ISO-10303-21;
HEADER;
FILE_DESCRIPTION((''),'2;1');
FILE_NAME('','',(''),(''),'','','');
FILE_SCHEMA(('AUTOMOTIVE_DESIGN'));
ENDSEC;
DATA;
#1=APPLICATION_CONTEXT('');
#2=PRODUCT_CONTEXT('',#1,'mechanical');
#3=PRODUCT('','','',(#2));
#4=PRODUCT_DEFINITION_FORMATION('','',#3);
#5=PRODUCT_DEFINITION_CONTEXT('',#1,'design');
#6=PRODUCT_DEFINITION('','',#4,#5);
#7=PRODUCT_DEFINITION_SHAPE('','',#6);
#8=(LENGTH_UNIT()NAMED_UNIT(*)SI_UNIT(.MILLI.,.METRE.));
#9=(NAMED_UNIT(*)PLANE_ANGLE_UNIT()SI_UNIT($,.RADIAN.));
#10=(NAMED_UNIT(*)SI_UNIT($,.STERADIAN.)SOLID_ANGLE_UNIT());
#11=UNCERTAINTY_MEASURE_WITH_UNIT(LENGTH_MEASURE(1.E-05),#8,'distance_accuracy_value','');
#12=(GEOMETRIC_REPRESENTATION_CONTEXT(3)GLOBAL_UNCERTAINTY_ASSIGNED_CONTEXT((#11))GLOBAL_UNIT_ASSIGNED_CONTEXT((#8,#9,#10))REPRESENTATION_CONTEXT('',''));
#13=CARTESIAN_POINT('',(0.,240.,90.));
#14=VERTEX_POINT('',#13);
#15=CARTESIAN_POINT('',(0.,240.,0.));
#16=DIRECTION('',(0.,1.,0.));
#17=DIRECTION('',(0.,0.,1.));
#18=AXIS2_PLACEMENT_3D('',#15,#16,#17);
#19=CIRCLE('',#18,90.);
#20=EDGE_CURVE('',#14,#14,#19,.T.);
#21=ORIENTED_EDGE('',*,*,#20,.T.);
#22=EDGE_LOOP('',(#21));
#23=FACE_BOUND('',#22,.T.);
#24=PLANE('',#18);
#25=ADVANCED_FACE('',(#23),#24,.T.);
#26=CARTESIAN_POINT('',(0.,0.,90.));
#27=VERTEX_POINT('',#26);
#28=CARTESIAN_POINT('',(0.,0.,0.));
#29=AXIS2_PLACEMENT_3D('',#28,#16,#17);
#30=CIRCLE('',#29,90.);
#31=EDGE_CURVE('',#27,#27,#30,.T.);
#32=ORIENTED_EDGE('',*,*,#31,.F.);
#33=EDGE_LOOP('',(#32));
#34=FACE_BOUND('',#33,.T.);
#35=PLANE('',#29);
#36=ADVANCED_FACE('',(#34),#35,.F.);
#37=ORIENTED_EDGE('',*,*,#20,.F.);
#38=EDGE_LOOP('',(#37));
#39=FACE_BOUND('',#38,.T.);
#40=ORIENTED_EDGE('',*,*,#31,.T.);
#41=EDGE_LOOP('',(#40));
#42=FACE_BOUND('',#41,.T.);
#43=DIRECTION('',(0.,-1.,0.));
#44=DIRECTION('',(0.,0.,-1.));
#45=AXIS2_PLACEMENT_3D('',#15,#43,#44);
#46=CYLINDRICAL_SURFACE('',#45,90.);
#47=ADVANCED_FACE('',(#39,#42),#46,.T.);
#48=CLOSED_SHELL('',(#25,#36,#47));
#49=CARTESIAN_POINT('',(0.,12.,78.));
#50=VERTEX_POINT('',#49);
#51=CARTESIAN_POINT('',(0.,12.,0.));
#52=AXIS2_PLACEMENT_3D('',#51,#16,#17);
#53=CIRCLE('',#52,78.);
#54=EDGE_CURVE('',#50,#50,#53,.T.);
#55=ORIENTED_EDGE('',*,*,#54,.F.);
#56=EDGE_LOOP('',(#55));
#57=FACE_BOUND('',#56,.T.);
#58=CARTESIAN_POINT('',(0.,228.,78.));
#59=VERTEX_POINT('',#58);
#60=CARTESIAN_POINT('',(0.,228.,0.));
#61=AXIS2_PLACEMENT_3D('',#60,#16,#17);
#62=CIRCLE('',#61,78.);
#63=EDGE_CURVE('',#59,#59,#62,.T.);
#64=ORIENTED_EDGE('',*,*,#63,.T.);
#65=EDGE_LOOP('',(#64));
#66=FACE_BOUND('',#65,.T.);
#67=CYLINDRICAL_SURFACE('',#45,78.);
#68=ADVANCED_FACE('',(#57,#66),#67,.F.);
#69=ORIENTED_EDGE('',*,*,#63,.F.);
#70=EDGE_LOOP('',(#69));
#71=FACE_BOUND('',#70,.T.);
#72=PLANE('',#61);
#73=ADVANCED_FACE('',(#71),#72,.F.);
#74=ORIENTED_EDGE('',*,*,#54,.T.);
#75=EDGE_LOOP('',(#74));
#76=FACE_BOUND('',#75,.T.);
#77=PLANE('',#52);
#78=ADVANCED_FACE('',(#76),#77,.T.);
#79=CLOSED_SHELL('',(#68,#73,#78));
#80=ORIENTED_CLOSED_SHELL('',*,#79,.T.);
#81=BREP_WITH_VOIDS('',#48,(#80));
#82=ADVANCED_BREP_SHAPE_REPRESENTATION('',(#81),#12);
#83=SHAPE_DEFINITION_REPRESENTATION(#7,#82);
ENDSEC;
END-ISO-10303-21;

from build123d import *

# Parameters (mm, degrees)
SKETCH1_R           = 90
BOSS_EXTRUDE1_DEPTH = 240
SHELL1_T            = 12


with BuildPart() as part:
    # Sketch1 → Boss-Extrude1 (new body)
    with BuildSketch(Plane(origin=(0, 0, 0), x_dir=(1, 0, 0), z_dir=(0, 1, 0))):
        with Locations(Location((0, 0, 0), (0, 0, 270))):
            Circle(SKETCH1_R)
    extrude(amount=BOSS_EXTRUDE1_DEPTH)

    # Shell1 (no face opened: a closed hollow body)
    add(offset(amount=-SHELL1_T, mode=Mode.PRIVATE), mode=Mode.SUBTRACT)


solid = part.part
